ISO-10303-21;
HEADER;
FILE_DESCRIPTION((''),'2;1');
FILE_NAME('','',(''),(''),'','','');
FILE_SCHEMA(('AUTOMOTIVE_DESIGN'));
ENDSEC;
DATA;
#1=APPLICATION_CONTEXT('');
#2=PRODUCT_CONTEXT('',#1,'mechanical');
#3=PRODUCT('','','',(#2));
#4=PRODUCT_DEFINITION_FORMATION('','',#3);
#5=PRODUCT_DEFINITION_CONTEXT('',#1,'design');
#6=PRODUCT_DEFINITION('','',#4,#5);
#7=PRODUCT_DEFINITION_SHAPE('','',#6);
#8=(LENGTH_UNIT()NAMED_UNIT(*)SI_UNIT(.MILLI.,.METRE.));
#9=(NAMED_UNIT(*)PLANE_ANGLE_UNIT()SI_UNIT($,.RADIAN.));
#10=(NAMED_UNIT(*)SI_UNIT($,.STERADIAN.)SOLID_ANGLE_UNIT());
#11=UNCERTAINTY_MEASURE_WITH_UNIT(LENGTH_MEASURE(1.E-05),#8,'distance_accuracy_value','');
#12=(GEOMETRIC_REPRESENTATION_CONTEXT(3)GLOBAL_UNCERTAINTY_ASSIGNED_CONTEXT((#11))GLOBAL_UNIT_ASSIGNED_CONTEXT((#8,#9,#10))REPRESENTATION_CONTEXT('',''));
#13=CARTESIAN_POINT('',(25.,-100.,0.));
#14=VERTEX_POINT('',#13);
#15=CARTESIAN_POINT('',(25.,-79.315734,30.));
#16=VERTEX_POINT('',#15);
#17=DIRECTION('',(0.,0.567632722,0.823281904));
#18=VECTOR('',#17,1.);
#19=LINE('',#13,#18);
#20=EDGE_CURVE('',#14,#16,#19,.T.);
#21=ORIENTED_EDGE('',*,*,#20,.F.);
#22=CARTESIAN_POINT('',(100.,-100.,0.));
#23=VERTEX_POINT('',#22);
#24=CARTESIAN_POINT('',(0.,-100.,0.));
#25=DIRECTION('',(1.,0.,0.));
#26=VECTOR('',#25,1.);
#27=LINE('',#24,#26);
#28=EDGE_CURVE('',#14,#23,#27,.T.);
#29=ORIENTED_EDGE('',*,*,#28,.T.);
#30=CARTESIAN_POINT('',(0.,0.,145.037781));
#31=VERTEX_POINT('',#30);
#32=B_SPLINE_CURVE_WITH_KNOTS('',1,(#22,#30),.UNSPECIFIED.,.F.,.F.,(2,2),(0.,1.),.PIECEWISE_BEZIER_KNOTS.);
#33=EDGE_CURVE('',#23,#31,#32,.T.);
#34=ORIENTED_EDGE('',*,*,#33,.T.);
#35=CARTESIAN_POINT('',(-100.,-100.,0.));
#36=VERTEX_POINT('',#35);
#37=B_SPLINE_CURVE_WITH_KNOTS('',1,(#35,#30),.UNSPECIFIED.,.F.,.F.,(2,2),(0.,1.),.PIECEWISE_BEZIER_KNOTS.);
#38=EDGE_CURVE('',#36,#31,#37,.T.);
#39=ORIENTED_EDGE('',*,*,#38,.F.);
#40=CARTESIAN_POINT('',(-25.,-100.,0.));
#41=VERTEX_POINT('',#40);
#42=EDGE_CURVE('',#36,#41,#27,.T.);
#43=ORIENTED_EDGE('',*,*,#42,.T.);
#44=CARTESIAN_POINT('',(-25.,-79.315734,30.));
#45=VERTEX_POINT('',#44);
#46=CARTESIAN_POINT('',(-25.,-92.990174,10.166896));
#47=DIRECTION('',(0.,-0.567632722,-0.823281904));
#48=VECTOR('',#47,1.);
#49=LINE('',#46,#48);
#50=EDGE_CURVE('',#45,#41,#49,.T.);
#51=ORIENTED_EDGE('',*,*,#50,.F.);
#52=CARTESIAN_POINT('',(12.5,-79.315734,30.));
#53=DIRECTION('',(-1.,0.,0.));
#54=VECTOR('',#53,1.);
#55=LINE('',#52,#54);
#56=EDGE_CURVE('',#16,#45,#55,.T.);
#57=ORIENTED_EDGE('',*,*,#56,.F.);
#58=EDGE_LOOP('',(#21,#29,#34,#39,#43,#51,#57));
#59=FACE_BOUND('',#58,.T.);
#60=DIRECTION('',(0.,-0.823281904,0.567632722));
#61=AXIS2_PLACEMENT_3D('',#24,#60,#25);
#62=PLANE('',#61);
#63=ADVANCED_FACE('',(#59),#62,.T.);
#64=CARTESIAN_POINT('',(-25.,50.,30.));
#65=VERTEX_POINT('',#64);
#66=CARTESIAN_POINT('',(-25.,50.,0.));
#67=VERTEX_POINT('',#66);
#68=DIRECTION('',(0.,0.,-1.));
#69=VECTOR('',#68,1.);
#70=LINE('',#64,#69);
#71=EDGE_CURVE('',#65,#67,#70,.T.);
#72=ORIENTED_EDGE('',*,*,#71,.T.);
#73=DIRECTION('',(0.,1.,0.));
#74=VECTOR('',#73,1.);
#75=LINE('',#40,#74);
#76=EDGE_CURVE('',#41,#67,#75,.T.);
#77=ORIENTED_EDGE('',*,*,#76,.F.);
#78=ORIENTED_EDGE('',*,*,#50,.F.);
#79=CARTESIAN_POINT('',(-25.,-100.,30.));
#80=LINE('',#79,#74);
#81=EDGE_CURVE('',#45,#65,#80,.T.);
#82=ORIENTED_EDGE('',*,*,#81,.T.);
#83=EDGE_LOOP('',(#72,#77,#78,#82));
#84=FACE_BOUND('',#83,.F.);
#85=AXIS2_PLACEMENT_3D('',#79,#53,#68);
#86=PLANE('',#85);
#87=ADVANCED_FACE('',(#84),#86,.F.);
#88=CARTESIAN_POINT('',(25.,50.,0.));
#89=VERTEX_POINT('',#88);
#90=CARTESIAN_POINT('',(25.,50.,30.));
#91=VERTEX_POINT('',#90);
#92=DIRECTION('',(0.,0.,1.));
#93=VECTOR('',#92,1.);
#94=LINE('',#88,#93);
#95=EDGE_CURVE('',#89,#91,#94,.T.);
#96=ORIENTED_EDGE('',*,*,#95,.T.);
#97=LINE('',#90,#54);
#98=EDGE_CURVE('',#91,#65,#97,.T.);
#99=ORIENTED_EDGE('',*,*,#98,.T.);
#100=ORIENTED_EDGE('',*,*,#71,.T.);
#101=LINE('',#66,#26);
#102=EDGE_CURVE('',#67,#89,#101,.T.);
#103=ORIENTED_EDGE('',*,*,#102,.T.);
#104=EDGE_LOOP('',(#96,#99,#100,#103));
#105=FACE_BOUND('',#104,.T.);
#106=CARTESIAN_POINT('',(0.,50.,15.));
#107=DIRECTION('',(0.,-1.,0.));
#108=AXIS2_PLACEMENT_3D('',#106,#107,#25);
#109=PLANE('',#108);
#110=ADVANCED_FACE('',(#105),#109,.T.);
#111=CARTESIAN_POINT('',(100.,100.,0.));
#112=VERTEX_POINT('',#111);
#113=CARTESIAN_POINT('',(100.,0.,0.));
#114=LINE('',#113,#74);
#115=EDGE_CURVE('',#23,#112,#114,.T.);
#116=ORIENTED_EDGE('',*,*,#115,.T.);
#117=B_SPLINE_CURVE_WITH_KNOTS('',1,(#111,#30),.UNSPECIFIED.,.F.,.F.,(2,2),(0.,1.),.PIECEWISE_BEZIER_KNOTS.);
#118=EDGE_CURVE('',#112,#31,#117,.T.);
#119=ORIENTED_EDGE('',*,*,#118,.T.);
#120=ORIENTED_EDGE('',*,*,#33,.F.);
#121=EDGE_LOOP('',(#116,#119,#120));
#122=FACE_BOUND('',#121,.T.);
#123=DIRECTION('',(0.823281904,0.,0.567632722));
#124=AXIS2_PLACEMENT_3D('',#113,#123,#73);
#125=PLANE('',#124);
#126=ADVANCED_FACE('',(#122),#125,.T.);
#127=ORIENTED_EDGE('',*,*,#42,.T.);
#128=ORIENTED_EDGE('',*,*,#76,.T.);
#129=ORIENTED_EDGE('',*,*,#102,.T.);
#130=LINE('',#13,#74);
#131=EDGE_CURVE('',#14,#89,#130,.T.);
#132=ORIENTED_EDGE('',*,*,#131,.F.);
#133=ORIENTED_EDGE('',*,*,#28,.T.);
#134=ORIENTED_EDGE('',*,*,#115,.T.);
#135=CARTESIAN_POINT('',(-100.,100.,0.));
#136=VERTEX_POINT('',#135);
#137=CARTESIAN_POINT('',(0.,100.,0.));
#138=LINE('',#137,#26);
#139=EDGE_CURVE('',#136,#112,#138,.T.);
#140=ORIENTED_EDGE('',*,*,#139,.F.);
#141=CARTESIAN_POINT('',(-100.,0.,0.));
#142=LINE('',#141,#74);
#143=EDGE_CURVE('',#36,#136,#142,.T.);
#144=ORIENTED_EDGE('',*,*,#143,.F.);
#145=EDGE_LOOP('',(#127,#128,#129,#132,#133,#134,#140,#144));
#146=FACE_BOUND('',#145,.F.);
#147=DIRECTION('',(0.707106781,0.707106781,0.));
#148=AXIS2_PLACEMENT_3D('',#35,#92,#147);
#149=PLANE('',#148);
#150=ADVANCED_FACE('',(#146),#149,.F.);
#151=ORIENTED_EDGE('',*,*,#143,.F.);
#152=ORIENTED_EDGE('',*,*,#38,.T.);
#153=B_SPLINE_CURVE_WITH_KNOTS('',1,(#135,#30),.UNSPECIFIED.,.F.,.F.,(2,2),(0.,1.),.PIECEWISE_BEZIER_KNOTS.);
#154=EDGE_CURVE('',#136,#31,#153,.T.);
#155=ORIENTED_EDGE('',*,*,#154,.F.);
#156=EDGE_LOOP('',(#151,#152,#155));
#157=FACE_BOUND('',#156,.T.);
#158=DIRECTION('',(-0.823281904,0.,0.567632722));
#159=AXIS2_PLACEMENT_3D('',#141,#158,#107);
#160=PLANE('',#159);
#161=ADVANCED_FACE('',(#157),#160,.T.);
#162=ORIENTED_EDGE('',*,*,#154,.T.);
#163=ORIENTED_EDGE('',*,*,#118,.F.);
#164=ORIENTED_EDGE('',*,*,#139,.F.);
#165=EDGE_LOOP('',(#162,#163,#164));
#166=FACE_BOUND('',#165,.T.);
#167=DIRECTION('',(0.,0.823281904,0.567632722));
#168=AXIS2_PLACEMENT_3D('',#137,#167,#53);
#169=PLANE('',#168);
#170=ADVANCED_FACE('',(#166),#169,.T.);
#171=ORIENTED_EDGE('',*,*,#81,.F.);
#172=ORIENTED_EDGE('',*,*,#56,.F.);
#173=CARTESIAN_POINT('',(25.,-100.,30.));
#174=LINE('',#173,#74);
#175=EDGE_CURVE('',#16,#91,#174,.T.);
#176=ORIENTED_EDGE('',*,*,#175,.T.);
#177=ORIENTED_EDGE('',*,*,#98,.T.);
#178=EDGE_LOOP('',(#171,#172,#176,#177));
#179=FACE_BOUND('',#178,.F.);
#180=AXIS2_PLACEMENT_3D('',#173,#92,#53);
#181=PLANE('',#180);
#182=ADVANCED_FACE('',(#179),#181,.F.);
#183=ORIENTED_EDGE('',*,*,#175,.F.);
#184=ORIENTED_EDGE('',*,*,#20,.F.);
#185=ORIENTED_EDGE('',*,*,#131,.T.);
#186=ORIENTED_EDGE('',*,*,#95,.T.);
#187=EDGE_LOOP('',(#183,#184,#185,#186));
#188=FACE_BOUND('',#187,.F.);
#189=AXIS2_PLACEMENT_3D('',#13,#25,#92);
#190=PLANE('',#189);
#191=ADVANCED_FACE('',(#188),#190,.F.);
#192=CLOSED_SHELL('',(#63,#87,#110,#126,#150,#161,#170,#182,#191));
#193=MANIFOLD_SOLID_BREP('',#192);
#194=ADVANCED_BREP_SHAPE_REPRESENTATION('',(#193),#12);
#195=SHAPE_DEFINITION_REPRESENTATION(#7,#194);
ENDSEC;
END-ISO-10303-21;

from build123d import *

# Parameters (mm, degrees)
F0_W     = 200
F0_H     = 200
F5_DEPTH = 150


with BuildPart() as f2:
    # F0 (on Top) → F2 section 0
    with BuildSketch(Plane.XY, mode=Mode.PRIVATE) as f2_s0:
        Rectangle(F0_W, F0_H)
    loft([f2_s0.sketch, Vertex(0, 0, 145.037781)])

    # F4 (on offset) → F5 (cut)
    with BuildSketch(Plane.XZ.offset(100)):
        Polygon((-25, 30), (-25, 0), (25, 0), (25, 30), (0, 30), align=None)
    extrude(amount=-F5_DEPTH, mode=Mode.SUBTRACT)


solid = f2.part
